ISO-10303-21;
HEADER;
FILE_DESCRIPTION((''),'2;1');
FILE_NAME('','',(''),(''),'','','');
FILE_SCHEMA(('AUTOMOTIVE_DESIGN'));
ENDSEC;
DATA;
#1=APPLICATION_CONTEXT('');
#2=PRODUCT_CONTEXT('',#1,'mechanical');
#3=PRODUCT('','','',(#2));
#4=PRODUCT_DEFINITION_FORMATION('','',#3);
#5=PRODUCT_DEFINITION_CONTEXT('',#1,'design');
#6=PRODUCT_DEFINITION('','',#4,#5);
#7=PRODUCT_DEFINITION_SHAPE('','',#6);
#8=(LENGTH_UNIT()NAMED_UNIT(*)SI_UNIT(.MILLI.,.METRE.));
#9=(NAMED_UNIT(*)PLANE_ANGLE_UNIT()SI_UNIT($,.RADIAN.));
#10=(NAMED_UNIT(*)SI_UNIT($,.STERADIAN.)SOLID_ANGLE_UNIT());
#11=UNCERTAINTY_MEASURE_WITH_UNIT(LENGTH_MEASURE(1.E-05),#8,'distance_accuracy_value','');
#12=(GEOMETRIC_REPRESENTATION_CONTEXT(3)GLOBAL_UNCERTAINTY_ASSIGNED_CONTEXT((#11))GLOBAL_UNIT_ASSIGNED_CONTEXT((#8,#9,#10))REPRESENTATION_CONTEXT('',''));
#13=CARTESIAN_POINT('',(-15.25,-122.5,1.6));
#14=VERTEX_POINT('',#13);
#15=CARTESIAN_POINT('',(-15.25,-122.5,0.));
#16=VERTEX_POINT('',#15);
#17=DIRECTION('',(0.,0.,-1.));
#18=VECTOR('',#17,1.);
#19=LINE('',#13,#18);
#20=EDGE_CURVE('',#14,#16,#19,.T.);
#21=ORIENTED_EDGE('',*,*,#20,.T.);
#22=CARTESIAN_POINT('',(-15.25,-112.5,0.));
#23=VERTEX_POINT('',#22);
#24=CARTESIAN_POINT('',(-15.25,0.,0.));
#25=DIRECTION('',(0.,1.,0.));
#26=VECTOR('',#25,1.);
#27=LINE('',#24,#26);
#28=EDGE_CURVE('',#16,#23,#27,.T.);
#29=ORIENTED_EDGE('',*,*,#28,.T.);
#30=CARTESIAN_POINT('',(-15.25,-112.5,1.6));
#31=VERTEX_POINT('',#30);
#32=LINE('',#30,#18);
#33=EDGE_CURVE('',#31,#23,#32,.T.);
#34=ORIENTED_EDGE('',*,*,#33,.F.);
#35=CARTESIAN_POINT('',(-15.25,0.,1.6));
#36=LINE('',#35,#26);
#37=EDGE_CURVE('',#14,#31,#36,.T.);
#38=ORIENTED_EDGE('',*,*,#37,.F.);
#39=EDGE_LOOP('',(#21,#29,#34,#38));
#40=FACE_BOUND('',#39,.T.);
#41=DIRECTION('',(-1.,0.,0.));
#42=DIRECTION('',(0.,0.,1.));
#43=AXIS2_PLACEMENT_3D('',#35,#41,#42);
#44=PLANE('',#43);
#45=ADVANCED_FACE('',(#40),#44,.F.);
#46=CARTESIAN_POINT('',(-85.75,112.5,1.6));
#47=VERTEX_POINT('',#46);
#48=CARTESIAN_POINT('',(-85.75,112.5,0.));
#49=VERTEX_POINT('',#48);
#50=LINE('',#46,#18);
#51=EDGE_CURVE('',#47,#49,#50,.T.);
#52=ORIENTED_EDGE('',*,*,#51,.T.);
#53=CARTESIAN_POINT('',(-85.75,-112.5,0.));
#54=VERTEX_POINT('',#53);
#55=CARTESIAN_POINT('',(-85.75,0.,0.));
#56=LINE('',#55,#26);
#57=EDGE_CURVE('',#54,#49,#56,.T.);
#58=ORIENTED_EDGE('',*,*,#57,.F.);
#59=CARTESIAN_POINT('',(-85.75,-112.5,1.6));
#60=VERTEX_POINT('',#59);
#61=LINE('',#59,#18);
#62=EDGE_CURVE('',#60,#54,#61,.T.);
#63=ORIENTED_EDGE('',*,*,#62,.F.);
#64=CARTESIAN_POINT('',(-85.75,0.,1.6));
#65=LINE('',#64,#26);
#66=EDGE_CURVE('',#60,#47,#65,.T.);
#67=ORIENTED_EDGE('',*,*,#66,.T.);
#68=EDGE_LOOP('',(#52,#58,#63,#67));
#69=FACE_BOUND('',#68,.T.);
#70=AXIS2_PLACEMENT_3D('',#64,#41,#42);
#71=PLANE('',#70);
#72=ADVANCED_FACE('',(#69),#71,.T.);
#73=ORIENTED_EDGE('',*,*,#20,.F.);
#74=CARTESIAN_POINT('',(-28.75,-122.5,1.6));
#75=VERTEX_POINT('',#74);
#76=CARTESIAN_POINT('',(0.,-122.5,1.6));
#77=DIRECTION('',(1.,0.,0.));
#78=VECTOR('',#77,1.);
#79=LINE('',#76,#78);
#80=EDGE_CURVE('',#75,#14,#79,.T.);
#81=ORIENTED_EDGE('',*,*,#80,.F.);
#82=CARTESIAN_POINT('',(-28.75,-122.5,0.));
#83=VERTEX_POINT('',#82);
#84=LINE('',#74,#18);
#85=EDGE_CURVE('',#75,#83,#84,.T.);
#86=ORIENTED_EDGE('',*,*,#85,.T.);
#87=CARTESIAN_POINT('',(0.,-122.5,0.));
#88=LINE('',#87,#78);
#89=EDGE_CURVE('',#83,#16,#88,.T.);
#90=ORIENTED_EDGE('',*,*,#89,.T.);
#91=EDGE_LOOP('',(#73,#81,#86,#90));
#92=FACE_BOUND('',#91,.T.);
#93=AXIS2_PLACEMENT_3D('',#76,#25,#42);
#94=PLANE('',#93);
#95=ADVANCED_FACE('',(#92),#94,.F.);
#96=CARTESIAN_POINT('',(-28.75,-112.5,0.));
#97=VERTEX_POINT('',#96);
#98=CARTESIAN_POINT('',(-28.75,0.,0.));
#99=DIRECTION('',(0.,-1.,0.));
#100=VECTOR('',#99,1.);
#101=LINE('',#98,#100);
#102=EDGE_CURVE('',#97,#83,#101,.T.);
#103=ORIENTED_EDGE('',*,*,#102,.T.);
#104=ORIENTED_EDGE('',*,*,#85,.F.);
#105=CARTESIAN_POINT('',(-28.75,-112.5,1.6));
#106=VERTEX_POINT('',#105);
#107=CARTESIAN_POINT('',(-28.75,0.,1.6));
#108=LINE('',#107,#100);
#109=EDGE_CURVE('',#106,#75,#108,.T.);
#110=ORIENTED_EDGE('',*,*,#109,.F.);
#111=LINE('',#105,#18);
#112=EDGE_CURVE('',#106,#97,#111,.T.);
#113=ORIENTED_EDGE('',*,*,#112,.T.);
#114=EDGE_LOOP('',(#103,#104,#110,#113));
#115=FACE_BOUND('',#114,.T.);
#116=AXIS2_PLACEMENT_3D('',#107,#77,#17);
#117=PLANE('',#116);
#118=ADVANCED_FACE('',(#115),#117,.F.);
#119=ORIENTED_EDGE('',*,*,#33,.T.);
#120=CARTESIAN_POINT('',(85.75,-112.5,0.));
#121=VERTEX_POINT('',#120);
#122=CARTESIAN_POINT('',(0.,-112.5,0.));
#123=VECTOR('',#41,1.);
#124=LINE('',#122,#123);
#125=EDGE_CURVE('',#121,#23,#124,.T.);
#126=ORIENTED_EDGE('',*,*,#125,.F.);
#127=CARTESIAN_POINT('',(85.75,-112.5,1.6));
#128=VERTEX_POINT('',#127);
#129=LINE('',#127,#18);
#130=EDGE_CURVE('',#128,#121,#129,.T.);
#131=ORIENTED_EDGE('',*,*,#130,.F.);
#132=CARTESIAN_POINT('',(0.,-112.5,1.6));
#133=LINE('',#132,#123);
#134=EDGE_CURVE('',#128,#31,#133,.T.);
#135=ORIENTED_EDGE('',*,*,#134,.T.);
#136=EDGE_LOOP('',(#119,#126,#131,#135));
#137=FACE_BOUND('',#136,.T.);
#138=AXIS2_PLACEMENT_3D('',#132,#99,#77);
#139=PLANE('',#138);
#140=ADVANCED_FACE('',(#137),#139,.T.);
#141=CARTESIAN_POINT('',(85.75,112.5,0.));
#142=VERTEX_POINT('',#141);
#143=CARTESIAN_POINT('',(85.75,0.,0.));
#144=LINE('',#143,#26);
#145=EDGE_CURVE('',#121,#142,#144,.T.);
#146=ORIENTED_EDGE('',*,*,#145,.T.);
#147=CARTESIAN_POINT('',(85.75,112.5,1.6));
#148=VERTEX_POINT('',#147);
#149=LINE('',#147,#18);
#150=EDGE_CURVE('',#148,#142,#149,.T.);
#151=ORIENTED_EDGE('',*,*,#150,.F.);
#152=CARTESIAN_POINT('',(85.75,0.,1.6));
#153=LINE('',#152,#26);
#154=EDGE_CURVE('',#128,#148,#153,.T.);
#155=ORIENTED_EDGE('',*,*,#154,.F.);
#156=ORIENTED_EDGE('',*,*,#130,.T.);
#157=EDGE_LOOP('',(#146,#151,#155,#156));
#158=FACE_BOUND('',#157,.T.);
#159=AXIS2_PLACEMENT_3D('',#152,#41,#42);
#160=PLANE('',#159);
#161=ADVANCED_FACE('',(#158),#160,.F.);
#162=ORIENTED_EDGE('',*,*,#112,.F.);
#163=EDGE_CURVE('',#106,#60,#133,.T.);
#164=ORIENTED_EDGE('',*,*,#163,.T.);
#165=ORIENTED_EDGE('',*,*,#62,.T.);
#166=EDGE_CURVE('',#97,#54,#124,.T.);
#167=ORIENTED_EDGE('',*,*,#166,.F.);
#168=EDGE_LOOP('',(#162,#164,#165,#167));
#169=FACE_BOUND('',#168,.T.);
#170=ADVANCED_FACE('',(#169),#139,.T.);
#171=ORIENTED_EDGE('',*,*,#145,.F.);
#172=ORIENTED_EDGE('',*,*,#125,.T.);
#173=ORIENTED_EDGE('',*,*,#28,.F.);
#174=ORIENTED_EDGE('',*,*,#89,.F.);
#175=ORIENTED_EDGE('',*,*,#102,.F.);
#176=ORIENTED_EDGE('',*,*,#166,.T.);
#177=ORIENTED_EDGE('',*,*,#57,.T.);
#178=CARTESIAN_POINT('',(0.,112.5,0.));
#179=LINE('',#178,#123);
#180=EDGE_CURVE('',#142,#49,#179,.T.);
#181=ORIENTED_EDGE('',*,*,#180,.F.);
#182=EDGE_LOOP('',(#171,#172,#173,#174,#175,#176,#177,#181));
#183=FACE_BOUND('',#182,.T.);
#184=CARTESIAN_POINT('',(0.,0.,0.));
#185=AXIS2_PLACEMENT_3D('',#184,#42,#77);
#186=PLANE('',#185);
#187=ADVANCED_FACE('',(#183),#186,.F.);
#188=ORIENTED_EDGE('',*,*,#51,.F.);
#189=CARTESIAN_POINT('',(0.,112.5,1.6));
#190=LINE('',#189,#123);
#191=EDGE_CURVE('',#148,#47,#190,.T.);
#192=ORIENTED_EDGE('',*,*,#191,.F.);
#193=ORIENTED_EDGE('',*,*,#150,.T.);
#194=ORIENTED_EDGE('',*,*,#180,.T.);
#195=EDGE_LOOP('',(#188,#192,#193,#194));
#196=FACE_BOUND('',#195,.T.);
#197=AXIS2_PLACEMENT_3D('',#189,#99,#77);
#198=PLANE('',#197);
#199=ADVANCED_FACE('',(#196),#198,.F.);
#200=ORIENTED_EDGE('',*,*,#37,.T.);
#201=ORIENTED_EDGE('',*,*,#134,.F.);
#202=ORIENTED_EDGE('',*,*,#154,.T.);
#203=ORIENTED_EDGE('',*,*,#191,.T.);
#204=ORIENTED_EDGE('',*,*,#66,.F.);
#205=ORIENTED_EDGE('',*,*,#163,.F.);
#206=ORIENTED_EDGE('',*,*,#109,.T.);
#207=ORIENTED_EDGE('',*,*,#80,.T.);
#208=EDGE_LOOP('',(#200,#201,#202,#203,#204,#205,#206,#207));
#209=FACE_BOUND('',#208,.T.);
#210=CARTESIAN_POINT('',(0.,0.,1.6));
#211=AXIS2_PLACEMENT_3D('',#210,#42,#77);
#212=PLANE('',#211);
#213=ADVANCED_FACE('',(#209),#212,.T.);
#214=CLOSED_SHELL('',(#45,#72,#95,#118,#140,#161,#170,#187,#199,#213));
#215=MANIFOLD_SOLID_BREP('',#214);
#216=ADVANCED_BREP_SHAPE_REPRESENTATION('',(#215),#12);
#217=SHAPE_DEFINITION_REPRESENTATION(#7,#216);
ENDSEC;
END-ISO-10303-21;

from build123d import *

# Parameters (mm, degrees)
SKETCH_1_W      = 171.5
SKETCH_1_H      = 225
SKETCH_1_W_2    = 13.5
SKETCH_1_H_2    = 10
EXTRUDE_1_DEPTH = 1.6


with BuildPart() as part:
    # Эскиз1 → Бобышка-Вытянуть1 (new body)
    with BuildSketch(Plane.XY):
        Rectangle(SKETCH_1_W, SKETCH_1_H)
        with Locations((-22, -117.5)):
            Rectangle(SKETCH_1_W_2, SKETCH_1_H_2)
    extrude(amount=EXTRUDE_1_DEPTH)


solid = part.part
